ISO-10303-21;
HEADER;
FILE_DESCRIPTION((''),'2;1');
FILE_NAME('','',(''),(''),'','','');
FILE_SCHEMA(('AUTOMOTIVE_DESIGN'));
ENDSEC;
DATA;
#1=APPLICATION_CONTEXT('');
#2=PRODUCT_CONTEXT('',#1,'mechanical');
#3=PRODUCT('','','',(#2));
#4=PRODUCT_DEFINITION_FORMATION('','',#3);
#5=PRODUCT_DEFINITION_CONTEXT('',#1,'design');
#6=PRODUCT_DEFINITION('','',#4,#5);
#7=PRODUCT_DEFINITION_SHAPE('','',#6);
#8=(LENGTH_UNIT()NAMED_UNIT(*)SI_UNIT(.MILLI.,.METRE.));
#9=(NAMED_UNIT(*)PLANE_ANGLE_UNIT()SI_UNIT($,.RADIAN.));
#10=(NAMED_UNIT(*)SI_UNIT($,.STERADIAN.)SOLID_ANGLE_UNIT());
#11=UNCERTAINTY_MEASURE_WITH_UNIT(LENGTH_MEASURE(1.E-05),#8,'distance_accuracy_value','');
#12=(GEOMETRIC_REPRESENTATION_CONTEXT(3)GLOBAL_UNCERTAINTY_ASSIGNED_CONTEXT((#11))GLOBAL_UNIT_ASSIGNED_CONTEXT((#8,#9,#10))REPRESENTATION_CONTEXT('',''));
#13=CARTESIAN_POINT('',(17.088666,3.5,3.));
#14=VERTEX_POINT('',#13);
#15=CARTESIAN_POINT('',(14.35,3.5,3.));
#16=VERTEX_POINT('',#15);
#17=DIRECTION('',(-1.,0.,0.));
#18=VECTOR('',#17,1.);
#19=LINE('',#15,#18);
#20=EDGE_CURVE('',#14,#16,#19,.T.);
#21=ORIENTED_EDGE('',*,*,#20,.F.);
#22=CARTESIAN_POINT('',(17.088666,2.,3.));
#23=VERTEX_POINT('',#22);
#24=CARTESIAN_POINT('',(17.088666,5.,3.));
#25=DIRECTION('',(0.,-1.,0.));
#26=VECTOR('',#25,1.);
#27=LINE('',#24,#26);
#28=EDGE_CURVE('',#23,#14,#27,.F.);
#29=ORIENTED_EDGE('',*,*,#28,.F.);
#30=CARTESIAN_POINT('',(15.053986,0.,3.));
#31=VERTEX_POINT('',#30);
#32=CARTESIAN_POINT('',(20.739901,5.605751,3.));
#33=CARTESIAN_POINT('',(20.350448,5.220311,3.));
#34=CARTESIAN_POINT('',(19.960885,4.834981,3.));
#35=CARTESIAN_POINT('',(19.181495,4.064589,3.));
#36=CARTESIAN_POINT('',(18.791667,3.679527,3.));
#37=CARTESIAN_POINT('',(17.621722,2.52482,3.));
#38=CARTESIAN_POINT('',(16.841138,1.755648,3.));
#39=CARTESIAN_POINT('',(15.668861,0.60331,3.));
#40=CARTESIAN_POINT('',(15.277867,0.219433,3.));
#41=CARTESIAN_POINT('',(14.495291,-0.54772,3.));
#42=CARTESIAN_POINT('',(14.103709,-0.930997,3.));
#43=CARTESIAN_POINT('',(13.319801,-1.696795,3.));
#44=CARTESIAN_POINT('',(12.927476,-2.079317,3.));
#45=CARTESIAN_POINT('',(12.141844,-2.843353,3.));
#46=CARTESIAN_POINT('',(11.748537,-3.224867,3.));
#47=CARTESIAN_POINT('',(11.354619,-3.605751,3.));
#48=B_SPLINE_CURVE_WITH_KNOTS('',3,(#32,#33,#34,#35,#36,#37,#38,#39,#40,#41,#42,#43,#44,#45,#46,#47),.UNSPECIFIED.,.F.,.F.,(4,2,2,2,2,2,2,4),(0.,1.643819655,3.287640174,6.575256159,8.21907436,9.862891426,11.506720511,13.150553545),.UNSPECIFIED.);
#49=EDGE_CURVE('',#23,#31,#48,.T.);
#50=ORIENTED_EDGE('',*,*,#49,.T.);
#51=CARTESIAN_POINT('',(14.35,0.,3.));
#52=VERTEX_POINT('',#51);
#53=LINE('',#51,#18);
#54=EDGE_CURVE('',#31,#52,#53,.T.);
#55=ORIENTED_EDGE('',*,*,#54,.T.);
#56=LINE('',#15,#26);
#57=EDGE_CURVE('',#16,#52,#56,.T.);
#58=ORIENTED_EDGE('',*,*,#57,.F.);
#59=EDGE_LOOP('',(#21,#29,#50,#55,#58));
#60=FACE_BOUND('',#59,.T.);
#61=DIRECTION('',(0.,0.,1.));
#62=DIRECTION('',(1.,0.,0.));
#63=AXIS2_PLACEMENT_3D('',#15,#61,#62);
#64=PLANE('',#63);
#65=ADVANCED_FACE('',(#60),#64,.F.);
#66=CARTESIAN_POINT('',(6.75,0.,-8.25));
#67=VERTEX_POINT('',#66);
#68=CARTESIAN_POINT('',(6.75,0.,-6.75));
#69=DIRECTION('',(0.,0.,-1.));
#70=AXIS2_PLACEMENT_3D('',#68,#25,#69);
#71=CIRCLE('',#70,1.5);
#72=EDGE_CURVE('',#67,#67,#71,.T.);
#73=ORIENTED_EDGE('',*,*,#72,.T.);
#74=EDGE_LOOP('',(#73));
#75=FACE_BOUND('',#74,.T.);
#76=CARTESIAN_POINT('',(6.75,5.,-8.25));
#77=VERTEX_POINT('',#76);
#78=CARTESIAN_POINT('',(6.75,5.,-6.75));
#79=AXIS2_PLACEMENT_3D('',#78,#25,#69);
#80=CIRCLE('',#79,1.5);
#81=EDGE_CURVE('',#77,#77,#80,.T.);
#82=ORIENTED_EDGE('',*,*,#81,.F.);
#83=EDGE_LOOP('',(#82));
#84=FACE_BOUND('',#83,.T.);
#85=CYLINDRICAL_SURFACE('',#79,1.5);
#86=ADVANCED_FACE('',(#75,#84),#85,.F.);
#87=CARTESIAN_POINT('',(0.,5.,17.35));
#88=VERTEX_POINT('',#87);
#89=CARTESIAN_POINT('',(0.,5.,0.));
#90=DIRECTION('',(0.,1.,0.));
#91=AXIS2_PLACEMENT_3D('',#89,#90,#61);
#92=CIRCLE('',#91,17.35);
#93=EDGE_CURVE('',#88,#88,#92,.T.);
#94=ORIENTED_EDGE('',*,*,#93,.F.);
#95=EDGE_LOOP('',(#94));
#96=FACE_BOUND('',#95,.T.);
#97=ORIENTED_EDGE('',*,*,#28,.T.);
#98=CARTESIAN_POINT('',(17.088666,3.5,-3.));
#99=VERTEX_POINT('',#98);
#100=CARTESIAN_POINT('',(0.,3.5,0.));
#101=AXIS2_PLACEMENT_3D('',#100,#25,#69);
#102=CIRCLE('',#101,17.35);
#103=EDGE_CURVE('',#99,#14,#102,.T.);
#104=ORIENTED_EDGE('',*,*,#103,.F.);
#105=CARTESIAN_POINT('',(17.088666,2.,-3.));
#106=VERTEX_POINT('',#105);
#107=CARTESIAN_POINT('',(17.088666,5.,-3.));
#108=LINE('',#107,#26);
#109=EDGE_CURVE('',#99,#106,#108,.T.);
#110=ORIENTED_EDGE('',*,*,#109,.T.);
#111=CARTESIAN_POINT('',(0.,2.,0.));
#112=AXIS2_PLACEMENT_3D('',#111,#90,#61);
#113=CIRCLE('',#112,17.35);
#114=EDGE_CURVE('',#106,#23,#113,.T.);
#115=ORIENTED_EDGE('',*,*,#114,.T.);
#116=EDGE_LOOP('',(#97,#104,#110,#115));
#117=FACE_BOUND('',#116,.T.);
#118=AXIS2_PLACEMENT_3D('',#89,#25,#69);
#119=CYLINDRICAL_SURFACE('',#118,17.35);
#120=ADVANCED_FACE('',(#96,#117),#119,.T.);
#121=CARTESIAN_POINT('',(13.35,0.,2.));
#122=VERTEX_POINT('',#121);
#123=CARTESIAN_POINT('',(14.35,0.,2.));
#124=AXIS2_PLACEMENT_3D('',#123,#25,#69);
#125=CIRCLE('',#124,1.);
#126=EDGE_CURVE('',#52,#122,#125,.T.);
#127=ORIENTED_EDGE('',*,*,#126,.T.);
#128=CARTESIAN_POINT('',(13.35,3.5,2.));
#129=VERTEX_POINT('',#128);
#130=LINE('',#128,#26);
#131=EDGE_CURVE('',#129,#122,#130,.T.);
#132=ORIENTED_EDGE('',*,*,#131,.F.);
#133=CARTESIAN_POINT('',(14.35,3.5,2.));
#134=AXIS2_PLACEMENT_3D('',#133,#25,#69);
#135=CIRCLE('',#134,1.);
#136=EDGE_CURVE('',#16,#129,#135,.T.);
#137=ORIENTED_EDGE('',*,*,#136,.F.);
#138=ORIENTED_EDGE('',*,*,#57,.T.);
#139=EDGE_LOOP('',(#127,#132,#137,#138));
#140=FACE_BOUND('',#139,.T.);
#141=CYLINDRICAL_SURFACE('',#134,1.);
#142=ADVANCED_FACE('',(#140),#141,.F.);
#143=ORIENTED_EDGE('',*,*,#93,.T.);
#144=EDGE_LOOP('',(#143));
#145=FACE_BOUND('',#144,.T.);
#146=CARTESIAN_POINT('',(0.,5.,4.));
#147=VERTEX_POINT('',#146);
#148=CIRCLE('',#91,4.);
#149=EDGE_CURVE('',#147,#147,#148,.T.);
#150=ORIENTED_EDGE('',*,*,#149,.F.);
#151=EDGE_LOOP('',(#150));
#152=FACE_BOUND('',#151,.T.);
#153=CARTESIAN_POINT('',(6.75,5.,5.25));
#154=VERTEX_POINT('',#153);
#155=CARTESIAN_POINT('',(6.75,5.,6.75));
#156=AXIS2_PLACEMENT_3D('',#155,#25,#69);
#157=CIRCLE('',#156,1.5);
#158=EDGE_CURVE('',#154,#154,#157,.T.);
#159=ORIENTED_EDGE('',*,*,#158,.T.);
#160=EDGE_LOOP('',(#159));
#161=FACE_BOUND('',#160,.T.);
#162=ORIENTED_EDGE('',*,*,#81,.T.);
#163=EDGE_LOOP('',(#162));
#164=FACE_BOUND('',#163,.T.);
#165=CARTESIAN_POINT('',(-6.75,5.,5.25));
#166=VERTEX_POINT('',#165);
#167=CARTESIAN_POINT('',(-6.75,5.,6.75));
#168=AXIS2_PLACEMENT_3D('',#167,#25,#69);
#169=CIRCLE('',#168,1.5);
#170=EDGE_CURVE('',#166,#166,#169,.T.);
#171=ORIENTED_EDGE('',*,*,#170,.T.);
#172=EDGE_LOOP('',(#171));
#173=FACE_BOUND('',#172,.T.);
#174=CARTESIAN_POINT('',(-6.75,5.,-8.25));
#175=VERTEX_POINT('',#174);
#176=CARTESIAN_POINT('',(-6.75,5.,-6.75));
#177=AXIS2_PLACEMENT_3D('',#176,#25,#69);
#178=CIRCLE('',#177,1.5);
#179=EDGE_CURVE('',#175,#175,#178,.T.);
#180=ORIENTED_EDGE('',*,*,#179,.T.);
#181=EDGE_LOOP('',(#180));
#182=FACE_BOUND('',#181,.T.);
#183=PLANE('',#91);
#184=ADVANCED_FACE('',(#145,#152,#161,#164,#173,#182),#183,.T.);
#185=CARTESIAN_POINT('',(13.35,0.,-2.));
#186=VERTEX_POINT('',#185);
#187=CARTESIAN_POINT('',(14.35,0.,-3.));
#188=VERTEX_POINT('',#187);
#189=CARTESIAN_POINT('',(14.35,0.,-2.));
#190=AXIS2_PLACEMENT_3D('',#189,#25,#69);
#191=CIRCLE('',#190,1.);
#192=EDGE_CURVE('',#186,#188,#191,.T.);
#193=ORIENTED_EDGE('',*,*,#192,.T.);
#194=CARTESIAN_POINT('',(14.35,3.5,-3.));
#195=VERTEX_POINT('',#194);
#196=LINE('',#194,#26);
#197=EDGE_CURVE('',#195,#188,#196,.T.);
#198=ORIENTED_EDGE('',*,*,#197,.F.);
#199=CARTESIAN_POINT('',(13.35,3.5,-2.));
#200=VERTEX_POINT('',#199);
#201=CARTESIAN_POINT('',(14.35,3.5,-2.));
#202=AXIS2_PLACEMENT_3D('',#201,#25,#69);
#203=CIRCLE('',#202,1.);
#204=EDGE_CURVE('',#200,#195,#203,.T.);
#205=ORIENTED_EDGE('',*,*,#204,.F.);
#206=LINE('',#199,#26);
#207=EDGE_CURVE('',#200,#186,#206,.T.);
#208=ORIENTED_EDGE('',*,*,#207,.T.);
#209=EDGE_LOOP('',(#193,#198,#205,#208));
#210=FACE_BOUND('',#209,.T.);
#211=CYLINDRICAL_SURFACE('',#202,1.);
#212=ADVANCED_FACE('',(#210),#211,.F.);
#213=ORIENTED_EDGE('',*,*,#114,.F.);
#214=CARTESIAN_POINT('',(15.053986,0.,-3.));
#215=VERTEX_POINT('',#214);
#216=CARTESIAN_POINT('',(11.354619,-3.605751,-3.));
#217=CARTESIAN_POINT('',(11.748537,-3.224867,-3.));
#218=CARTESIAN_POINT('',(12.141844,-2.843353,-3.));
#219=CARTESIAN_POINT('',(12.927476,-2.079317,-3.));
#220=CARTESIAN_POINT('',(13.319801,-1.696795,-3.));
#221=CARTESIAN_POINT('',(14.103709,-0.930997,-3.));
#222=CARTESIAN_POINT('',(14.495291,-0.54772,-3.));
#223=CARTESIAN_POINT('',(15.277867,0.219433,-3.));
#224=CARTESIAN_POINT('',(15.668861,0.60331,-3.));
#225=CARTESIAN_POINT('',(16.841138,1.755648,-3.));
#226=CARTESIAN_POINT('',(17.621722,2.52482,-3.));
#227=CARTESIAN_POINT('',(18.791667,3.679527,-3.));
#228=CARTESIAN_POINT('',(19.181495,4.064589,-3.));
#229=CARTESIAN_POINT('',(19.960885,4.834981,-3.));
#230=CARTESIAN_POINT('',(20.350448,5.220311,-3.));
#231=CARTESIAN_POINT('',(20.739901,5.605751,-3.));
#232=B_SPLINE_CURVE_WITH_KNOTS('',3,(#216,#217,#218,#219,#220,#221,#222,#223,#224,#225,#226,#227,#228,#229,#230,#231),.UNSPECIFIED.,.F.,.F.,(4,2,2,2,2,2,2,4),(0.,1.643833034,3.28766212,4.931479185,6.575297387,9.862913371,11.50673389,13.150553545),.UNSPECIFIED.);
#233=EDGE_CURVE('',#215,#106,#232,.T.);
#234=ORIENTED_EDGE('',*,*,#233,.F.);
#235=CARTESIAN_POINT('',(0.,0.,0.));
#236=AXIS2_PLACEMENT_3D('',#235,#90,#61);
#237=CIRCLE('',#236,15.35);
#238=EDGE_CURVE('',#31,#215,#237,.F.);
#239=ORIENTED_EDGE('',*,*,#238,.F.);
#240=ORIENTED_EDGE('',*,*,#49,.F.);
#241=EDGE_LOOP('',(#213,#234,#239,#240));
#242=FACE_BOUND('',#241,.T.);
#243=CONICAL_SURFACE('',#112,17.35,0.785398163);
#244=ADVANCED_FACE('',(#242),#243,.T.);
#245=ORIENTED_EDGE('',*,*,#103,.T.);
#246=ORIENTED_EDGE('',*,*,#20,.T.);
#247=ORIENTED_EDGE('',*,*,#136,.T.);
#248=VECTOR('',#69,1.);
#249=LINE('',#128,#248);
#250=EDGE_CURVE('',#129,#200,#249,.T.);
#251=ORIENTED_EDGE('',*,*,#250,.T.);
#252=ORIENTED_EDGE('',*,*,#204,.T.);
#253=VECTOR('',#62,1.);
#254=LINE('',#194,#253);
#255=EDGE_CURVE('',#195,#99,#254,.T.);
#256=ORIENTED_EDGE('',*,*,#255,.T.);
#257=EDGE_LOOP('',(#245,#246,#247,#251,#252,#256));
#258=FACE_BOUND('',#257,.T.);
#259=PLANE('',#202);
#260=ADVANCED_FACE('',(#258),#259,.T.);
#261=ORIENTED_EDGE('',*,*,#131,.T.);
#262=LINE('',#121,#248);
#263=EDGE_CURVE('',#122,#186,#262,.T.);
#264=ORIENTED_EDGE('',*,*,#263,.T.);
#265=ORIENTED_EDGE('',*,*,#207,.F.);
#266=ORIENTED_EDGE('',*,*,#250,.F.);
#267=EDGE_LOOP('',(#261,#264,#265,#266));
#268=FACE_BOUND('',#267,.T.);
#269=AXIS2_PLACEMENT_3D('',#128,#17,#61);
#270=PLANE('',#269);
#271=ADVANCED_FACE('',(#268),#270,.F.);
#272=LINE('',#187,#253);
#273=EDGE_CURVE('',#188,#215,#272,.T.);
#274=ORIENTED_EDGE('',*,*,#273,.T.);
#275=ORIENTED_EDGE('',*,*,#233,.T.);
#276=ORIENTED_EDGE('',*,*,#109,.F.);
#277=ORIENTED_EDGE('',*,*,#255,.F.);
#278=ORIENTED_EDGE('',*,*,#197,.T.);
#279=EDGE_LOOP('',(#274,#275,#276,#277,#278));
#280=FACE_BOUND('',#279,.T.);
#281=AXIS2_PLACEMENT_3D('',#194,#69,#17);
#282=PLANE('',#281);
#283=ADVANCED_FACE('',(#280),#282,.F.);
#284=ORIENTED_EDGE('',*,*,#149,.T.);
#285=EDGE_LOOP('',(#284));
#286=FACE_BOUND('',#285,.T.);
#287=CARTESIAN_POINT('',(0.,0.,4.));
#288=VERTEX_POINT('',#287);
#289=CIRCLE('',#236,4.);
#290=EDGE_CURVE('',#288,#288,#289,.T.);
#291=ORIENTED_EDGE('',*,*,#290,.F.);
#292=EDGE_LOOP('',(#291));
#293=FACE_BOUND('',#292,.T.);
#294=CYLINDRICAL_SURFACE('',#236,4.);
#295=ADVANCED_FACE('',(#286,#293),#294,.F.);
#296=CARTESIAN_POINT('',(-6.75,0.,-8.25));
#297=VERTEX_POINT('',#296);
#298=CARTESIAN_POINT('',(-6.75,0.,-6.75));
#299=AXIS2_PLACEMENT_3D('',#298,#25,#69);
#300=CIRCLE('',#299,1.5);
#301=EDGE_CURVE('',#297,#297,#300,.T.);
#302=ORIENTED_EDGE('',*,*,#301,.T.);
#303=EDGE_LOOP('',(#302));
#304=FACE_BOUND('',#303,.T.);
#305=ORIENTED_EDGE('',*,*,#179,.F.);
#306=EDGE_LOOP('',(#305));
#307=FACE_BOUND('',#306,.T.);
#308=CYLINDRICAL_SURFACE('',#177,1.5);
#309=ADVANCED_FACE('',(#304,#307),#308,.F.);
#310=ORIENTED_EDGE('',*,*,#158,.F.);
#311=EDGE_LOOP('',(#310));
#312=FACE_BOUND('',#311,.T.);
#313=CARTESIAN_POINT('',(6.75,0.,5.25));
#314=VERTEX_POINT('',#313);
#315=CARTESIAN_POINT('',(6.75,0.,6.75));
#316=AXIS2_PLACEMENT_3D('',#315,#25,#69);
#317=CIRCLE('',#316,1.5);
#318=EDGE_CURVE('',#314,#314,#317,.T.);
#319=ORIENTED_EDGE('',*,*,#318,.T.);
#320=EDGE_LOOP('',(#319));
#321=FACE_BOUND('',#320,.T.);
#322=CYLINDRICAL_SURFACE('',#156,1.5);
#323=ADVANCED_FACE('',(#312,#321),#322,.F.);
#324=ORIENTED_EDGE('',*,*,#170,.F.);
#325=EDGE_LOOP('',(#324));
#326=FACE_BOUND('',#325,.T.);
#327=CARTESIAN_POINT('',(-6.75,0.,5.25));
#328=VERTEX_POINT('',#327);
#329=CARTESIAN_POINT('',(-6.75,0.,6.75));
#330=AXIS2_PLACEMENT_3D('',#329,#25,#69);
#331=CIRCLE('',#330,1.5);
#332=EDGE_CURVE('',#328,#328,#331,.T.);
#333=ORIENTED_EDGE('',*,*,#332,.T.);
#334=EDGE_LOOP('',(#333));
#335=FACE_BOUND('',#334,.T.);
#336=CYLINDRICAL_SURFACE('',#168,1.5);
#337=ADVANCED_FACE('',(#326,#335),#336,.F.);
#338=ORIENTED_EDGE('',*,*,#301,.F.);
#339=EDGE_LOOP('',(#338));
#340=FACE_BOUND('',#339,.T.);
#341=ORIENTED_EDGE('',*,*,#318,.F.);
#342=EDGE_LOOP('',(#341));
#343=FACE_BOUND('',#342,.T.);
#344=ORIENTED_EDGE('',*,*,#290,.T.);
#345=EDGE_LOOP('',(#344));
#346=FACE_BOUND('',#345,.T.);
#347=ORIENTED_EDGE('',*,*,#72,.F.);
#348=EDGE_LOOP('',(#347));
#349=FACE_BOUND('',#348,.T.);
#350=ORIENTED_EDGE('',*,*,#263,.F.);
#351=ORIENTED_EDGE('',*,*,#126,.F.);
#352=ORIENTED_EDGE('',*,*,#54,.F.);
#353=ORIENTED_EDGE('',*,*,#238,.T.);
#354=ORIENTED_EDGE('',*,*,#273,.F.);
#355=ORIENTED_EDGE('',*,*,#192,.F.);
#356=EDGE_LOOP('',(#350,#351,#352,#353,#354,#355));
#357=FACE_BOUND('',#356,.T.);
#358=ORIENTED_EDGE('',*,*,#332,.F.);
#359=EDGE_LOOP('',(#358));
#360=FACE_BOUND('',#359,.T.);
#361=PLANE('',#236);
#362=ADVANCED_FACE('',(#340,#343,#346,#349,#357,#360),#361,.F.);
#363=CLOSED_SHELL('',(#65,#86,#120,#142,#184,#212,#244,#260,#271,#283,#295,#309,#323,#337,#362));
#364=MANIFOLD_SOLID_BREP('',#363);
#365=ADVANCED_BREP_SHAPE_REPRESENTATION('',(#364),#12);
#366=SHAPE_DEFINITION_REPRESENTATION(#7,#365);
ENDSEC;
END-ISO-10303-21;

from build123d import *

# Parameters (mm, degrees)
SKETCH_1_R          = 17.35
EXTRUDE_1_DEPTH     = 5
CHAMFER_1_SIZE      = 2
SKETCH_2_R          = 4
CUT_EXTRUDE_1_DEPTH = 5
SKETCH_3_R          = 1.5
CUT_EXTRUDE_2_DEPTH = 5
CUT_EXTRUDE_3_DEPTH = 3.5


with BuildPart() as part:
    # 草图1 → 凸台-拉伸1 (new body)
    with BuildSketch(Plane(origin=(0, 0, 0), x_dir=(1, 0, 0), z_dir=(0, 1, 0))):
        with Locations(Location((0, 0, 0), (0, 0, 270))):
            Circle(SKETCH_1_R)
    extrude(amount=EXTRUDE_1_DEPTH)

    # 倒角1
    chamfer_1_edges = [part.edges().sort_by_distance(p)[0] for p in [
        (0, 0, -17.35),
    ]]
    chamfer(chamfer_1_edges, length=CHAMFER_1_SIZE)

    # 草图2 → 切除-拉伸1 (cut)
    with BuildSketch(Plane(origin=(0, 5, 0), x_dir=(1, 0, 0), z_dir=(0, 1, 0))):
        with Locations(Location((0, 0, 0), (0, 0, 270))):
            Circle(SKETCH_2_R)
    extrude(amount=-CUT_EXTRUDE_1_DEPTH, mode=Mode.SUBTRACT)

    # 草图3 → 切除-拉伸2 (cut)
    with BuildSketch(Plane.XZ):
        with Locations(Location((-6.75, 6.75, 0), (0, 0, 270))):
            Circle(SKETCH_3_R)
        with Locations(Location((6.75, 6.75, 0), (0, 0, 270))):
            Circle(SKETCH_3_R)
        with Locations(Location((6.75, -6.75, 0), (0, 0, 270))):
            Circle(SKETCH_3_R)
        with Locations(Location((-6.75, -6.75, 0), (0, 0, 270))):
            Circle(SKETCH_3_R)
    extrude(amount=-CUT_EXTRUDE_2_DEPTH, mode=Mode.SUBTRACT)

    # 草图4 → 切除-拉伸3 (cut)
    with BuildSketch(Plane.XZ):
        with BuildLine():
            Line((14.35, 3), (21.35, 3))
            Line((21.35, 3), (21.35, -3))
            Line((21.35, -3), (14.35, -3))
            ThreePointArc((14.35, -3), (13.642893219, -2.707106781), (13.35, -2))
            Line((13.35, -2), (13.35, 2))
            ThreePointArc((13.35, 2), (13.642893219, 2.707106781), (14.35, 3))
        make_face()
    extrude(amount=-CUT_EXTRUDE_3_DEPTH, mode=Mode.SUBTRACT)


solid = part.part
